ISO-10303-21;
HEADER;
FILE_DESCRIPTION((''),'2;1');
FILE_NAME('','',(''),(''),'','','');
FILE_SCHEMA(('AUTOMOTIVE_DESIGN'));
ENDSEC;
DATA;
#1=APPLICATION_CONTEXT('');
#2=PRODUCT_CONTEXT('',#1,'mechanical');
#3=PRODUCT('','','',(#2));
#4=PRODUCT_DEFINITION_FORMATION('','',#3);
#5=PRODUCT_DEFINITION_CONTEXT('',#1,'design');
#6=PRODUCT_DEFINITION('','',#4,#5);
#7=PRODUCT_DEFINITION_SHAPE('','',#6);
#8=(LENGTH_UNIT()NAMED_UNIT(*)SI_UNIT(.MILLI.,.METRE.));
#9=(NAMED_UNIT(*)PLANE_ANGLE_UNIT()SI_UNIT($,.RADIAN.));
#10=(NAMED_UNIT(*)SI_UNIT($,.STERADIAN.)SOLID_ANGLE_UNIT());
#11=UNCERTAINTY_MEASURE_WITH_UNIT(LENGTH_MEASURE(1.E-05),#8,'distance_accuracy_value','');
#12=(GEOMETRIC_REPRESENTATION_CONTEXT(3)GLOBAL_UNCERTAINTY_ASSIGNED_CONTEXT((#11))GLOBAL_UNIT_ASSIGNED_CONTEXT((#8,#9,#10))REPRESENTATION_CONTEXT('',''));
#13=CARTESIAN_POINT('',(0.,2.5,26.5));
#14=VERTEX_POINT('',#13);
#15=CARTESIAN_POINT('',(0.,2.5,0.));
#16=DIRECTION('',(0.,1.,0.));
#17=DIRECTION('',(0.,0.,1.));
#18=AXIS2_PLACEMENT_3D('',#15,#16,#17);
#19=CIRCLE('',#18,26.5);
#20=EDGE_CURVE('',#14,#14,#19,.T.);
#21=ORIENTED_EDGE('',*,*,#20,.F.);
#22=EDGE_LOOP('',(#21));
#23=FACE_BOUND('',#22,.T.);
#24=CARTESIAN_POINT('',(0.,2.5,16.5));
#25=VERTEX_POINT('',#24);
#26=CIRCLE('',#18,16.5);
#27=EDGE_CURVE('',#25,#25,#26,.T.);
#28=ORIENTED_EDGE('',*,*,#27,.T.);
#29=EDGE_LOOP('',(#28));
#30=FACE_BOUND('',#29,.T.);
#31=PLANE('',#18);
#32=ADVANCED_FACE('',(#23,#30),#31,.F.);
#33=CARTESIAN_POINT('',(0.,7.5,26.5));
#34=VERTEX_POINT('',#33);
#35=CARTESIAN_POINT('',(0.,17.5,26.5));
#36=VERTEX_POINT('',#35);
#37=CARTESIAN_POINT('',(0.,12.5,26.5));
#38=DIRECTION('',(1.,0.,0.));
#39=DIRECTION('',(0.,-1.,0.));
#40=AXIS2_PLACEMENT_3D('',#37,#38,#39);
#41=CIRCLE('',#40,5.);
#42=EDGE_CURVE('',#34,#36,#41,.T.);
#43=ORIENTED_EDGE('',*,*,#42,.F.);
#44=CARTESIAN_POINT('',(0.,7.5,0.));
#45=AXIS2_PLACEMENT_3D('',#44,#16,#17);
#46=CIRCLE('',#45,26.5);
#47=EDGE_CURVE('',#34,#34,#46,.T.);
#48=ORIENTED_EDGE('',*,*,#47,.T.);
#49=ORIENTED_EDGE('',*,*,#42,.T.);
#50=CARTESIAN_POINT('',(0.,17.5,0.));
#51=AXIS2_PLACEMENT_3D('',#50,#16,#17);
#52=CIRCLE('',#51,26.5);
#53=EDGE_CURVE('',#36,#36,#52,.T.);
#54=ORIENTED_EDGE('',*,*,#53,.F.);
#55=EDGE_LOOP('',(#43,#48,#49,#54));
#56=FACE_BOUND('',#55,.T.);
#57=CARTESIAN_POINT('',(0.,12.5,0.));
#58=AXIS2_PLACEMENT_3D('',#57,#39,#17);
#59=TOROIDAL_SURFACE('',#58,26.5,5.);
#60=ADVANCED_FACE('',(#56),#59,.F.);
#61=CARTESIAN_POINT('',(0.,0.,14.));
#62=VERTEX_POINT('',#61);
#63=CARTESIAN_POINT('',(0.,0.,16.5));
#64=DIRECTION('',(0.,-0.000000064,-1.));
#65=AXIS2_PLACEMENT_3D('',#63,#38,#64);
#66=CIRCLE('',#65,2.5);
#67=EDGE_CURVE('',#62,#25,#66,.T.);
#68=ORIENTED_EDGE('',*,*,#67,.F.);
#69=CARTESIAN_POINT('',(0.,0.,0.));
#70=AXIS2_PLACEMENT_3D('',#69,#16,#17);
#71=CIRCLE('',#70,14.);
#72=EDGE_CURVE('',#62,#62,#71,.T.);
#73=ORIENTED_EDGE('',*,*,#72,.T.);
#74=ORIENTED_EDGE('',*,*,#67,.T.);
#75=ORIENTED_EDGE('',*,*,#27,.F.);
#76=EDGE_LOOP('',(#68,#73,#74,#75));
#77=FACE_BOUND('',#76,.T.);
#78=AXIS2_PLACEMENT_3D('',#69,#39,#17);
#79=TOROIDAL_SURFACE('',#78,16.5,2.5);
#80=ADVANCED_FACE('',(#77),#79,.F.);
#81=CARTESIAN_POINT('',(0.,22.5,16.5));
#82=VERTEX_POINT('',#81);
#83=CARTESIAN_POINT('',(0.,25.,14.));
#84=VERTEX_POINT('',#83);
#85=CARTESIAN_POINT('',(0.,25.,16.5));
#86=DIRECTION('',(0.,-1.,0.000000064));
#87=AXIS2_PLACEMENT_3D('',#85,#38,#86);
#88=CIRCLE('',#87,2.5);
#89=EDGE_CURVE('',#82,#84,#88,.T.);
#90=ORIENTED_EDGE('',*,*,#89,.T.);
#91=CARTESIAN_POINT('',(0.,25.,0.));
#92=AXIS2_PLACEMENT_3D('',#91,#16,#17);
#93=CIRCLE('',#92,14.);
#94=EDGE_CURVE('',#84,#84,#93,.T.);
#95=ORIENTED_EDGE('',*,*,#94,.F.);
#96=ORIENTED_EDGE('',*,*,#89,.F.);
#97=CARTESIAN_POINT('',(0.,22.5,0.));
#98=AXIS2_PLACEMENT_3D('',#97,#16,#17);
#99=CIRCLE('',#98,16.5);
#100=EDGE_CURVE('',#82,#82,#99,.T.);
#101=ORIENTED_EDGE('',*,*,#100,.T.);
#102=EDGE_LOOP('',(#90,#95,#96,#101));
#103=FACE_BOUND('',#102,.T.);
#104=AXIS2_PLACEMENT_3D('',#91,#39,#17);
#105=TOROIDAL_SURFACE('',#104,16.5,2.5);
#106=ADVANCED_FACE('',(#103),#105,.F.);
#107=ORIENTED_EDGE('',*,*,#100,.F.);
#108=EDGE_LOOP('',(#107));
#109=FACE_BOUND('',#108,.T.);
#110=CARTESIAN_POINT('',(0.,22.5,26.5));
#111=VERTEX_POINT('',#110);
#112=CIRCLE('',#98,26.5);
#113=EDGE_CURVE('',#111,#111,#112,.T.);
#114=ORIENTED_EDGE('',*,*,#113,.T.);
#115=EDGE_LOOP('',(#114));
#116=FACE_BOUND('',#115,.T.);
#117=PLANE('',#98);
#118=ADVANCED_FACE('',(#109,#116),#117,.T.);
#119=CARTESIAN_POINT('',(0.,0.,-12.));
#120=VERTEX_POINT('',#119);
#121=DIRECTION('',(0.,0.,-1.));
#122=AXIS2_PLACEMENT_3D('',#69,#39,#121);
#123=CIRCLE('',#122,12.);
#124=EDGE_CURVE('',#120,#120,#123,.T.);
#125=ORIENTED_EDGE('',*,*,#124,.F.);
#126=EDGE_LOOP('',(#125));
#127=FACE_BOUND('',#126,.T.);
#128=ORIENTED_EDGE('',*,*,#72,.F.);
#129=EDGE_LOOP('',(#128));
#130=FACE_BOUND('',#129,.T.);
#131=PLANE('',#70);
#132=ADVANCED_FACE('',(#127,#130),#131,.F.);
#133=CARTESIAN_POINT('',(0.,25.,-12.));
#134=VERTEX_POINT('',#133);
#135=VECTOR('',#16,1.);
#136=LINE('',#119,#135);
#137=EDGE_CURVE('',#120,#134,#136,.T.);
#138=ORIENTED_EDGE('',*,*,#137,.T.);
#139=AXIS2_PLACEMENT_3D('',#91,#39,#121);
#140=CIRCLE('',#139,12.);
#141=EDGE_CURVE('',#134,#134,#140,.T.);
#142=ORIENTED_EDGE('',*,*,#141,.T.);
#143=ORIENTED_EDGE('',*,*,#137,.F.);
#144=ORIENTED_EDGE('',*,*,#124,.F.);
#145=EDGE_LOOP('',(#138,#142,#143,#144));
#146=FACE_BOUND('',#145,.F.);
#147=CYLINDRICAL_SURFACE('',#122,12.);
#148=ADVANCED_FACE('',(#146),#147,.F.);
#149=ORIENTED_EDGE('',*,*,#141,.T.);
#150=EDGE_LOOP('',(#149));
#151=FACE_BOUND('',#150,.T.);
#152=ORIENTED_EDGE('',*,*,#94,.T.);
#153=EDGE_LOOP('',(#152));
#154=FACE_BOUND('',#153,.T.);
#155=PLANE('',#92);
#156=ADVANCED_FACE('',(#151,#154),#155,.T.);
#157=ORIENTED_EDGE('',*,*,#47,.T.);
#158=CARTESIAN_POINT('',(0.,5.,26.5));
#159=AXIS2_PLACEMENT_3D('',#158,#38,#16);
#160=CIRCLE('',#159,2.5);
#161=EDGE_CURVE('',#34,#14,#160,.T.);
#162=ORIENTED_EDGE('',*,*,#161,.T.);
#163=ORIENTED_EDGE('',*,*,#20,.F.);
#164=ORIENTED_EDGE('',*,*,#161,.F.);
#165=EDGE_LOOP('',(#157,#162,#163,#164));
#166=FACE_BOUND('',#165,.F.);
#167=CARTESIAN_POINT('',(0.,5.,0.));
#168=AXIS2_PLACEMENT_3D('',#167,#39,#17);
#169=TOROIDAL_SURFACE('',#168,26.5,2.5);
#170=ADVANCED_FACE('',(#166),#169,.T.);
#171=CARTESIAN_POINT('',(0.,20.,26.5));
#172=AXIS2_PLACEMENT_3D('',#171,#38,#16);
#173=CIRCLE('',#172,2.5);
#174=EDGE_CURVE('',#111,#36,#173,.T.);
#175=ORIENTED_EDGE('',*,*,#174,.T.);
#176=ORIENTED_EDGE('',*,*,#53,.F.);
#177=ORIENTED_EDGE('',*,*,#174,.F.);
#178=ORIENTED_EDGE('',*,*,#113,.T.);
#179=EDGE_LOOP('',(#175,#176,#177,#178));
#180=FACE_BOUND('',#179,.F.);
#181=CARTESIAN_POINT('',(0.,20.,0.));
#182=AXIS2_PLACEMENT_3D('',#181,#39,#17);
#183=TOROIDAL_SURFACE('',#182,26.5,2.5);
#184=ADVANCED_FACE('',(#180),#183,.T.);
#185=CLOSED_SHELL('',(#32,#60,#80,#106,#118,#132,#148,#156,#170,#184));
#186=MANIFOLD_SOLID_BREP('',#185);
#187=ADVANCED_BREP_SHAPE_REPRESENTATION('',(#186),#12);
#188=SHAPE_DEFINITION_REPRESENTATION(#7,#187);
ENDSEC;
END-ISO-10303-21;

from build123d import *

# Parameters (mm, degrees)
SKETCH001_R  = 12
POCKET_DEPTH = 25.001


with BuildPart() as part:
    # Sketch → Revolution (revolve)
    with BuildSketch(Plane.YZ):
        with BuildLine():
            Line((0, 0), (0, 14))
            ThreePointArc((0, 14), (1.767767, 14.732233), (2.5, 16.5))
            Line((2.5, 16.5), (2.5, 26.5))
            ThreePointArc((7.5, 26.5), (5, 29), (2.5, 26.5))
            ThreePointArc((7.5, 26.5), (12.5, 21.5), (17.5, 26.5))
            ThreePointArc((22.5, 26.5), (20, 29), (17.5, 26.5))
            Line((22.5, 26.5), (22.5, 16.5))
            ThreePointArc((22.5, 16.5), (23.232233, 14.732233), (25, 14))
            Line((25, 14), (25, 0))
            Line((25, 0), (0, 0))
        make_face()
    revolve(axis=Axis((0, 0, 0), (0, 1, 0)))

    # Sketch001 (on Face4 of Revolution) → Pocket (cut, through all)
    with BuildSketch(Plane(origin=(0, 0, 0), x_dir=(0, 0, -1), z_dir=(0, -1, 0))):
        Circle(SKETCH001_R)
    extrude(amount=-POCKET_DEPTH, mode=Mode.SUBTRACT)


solid = part.part
